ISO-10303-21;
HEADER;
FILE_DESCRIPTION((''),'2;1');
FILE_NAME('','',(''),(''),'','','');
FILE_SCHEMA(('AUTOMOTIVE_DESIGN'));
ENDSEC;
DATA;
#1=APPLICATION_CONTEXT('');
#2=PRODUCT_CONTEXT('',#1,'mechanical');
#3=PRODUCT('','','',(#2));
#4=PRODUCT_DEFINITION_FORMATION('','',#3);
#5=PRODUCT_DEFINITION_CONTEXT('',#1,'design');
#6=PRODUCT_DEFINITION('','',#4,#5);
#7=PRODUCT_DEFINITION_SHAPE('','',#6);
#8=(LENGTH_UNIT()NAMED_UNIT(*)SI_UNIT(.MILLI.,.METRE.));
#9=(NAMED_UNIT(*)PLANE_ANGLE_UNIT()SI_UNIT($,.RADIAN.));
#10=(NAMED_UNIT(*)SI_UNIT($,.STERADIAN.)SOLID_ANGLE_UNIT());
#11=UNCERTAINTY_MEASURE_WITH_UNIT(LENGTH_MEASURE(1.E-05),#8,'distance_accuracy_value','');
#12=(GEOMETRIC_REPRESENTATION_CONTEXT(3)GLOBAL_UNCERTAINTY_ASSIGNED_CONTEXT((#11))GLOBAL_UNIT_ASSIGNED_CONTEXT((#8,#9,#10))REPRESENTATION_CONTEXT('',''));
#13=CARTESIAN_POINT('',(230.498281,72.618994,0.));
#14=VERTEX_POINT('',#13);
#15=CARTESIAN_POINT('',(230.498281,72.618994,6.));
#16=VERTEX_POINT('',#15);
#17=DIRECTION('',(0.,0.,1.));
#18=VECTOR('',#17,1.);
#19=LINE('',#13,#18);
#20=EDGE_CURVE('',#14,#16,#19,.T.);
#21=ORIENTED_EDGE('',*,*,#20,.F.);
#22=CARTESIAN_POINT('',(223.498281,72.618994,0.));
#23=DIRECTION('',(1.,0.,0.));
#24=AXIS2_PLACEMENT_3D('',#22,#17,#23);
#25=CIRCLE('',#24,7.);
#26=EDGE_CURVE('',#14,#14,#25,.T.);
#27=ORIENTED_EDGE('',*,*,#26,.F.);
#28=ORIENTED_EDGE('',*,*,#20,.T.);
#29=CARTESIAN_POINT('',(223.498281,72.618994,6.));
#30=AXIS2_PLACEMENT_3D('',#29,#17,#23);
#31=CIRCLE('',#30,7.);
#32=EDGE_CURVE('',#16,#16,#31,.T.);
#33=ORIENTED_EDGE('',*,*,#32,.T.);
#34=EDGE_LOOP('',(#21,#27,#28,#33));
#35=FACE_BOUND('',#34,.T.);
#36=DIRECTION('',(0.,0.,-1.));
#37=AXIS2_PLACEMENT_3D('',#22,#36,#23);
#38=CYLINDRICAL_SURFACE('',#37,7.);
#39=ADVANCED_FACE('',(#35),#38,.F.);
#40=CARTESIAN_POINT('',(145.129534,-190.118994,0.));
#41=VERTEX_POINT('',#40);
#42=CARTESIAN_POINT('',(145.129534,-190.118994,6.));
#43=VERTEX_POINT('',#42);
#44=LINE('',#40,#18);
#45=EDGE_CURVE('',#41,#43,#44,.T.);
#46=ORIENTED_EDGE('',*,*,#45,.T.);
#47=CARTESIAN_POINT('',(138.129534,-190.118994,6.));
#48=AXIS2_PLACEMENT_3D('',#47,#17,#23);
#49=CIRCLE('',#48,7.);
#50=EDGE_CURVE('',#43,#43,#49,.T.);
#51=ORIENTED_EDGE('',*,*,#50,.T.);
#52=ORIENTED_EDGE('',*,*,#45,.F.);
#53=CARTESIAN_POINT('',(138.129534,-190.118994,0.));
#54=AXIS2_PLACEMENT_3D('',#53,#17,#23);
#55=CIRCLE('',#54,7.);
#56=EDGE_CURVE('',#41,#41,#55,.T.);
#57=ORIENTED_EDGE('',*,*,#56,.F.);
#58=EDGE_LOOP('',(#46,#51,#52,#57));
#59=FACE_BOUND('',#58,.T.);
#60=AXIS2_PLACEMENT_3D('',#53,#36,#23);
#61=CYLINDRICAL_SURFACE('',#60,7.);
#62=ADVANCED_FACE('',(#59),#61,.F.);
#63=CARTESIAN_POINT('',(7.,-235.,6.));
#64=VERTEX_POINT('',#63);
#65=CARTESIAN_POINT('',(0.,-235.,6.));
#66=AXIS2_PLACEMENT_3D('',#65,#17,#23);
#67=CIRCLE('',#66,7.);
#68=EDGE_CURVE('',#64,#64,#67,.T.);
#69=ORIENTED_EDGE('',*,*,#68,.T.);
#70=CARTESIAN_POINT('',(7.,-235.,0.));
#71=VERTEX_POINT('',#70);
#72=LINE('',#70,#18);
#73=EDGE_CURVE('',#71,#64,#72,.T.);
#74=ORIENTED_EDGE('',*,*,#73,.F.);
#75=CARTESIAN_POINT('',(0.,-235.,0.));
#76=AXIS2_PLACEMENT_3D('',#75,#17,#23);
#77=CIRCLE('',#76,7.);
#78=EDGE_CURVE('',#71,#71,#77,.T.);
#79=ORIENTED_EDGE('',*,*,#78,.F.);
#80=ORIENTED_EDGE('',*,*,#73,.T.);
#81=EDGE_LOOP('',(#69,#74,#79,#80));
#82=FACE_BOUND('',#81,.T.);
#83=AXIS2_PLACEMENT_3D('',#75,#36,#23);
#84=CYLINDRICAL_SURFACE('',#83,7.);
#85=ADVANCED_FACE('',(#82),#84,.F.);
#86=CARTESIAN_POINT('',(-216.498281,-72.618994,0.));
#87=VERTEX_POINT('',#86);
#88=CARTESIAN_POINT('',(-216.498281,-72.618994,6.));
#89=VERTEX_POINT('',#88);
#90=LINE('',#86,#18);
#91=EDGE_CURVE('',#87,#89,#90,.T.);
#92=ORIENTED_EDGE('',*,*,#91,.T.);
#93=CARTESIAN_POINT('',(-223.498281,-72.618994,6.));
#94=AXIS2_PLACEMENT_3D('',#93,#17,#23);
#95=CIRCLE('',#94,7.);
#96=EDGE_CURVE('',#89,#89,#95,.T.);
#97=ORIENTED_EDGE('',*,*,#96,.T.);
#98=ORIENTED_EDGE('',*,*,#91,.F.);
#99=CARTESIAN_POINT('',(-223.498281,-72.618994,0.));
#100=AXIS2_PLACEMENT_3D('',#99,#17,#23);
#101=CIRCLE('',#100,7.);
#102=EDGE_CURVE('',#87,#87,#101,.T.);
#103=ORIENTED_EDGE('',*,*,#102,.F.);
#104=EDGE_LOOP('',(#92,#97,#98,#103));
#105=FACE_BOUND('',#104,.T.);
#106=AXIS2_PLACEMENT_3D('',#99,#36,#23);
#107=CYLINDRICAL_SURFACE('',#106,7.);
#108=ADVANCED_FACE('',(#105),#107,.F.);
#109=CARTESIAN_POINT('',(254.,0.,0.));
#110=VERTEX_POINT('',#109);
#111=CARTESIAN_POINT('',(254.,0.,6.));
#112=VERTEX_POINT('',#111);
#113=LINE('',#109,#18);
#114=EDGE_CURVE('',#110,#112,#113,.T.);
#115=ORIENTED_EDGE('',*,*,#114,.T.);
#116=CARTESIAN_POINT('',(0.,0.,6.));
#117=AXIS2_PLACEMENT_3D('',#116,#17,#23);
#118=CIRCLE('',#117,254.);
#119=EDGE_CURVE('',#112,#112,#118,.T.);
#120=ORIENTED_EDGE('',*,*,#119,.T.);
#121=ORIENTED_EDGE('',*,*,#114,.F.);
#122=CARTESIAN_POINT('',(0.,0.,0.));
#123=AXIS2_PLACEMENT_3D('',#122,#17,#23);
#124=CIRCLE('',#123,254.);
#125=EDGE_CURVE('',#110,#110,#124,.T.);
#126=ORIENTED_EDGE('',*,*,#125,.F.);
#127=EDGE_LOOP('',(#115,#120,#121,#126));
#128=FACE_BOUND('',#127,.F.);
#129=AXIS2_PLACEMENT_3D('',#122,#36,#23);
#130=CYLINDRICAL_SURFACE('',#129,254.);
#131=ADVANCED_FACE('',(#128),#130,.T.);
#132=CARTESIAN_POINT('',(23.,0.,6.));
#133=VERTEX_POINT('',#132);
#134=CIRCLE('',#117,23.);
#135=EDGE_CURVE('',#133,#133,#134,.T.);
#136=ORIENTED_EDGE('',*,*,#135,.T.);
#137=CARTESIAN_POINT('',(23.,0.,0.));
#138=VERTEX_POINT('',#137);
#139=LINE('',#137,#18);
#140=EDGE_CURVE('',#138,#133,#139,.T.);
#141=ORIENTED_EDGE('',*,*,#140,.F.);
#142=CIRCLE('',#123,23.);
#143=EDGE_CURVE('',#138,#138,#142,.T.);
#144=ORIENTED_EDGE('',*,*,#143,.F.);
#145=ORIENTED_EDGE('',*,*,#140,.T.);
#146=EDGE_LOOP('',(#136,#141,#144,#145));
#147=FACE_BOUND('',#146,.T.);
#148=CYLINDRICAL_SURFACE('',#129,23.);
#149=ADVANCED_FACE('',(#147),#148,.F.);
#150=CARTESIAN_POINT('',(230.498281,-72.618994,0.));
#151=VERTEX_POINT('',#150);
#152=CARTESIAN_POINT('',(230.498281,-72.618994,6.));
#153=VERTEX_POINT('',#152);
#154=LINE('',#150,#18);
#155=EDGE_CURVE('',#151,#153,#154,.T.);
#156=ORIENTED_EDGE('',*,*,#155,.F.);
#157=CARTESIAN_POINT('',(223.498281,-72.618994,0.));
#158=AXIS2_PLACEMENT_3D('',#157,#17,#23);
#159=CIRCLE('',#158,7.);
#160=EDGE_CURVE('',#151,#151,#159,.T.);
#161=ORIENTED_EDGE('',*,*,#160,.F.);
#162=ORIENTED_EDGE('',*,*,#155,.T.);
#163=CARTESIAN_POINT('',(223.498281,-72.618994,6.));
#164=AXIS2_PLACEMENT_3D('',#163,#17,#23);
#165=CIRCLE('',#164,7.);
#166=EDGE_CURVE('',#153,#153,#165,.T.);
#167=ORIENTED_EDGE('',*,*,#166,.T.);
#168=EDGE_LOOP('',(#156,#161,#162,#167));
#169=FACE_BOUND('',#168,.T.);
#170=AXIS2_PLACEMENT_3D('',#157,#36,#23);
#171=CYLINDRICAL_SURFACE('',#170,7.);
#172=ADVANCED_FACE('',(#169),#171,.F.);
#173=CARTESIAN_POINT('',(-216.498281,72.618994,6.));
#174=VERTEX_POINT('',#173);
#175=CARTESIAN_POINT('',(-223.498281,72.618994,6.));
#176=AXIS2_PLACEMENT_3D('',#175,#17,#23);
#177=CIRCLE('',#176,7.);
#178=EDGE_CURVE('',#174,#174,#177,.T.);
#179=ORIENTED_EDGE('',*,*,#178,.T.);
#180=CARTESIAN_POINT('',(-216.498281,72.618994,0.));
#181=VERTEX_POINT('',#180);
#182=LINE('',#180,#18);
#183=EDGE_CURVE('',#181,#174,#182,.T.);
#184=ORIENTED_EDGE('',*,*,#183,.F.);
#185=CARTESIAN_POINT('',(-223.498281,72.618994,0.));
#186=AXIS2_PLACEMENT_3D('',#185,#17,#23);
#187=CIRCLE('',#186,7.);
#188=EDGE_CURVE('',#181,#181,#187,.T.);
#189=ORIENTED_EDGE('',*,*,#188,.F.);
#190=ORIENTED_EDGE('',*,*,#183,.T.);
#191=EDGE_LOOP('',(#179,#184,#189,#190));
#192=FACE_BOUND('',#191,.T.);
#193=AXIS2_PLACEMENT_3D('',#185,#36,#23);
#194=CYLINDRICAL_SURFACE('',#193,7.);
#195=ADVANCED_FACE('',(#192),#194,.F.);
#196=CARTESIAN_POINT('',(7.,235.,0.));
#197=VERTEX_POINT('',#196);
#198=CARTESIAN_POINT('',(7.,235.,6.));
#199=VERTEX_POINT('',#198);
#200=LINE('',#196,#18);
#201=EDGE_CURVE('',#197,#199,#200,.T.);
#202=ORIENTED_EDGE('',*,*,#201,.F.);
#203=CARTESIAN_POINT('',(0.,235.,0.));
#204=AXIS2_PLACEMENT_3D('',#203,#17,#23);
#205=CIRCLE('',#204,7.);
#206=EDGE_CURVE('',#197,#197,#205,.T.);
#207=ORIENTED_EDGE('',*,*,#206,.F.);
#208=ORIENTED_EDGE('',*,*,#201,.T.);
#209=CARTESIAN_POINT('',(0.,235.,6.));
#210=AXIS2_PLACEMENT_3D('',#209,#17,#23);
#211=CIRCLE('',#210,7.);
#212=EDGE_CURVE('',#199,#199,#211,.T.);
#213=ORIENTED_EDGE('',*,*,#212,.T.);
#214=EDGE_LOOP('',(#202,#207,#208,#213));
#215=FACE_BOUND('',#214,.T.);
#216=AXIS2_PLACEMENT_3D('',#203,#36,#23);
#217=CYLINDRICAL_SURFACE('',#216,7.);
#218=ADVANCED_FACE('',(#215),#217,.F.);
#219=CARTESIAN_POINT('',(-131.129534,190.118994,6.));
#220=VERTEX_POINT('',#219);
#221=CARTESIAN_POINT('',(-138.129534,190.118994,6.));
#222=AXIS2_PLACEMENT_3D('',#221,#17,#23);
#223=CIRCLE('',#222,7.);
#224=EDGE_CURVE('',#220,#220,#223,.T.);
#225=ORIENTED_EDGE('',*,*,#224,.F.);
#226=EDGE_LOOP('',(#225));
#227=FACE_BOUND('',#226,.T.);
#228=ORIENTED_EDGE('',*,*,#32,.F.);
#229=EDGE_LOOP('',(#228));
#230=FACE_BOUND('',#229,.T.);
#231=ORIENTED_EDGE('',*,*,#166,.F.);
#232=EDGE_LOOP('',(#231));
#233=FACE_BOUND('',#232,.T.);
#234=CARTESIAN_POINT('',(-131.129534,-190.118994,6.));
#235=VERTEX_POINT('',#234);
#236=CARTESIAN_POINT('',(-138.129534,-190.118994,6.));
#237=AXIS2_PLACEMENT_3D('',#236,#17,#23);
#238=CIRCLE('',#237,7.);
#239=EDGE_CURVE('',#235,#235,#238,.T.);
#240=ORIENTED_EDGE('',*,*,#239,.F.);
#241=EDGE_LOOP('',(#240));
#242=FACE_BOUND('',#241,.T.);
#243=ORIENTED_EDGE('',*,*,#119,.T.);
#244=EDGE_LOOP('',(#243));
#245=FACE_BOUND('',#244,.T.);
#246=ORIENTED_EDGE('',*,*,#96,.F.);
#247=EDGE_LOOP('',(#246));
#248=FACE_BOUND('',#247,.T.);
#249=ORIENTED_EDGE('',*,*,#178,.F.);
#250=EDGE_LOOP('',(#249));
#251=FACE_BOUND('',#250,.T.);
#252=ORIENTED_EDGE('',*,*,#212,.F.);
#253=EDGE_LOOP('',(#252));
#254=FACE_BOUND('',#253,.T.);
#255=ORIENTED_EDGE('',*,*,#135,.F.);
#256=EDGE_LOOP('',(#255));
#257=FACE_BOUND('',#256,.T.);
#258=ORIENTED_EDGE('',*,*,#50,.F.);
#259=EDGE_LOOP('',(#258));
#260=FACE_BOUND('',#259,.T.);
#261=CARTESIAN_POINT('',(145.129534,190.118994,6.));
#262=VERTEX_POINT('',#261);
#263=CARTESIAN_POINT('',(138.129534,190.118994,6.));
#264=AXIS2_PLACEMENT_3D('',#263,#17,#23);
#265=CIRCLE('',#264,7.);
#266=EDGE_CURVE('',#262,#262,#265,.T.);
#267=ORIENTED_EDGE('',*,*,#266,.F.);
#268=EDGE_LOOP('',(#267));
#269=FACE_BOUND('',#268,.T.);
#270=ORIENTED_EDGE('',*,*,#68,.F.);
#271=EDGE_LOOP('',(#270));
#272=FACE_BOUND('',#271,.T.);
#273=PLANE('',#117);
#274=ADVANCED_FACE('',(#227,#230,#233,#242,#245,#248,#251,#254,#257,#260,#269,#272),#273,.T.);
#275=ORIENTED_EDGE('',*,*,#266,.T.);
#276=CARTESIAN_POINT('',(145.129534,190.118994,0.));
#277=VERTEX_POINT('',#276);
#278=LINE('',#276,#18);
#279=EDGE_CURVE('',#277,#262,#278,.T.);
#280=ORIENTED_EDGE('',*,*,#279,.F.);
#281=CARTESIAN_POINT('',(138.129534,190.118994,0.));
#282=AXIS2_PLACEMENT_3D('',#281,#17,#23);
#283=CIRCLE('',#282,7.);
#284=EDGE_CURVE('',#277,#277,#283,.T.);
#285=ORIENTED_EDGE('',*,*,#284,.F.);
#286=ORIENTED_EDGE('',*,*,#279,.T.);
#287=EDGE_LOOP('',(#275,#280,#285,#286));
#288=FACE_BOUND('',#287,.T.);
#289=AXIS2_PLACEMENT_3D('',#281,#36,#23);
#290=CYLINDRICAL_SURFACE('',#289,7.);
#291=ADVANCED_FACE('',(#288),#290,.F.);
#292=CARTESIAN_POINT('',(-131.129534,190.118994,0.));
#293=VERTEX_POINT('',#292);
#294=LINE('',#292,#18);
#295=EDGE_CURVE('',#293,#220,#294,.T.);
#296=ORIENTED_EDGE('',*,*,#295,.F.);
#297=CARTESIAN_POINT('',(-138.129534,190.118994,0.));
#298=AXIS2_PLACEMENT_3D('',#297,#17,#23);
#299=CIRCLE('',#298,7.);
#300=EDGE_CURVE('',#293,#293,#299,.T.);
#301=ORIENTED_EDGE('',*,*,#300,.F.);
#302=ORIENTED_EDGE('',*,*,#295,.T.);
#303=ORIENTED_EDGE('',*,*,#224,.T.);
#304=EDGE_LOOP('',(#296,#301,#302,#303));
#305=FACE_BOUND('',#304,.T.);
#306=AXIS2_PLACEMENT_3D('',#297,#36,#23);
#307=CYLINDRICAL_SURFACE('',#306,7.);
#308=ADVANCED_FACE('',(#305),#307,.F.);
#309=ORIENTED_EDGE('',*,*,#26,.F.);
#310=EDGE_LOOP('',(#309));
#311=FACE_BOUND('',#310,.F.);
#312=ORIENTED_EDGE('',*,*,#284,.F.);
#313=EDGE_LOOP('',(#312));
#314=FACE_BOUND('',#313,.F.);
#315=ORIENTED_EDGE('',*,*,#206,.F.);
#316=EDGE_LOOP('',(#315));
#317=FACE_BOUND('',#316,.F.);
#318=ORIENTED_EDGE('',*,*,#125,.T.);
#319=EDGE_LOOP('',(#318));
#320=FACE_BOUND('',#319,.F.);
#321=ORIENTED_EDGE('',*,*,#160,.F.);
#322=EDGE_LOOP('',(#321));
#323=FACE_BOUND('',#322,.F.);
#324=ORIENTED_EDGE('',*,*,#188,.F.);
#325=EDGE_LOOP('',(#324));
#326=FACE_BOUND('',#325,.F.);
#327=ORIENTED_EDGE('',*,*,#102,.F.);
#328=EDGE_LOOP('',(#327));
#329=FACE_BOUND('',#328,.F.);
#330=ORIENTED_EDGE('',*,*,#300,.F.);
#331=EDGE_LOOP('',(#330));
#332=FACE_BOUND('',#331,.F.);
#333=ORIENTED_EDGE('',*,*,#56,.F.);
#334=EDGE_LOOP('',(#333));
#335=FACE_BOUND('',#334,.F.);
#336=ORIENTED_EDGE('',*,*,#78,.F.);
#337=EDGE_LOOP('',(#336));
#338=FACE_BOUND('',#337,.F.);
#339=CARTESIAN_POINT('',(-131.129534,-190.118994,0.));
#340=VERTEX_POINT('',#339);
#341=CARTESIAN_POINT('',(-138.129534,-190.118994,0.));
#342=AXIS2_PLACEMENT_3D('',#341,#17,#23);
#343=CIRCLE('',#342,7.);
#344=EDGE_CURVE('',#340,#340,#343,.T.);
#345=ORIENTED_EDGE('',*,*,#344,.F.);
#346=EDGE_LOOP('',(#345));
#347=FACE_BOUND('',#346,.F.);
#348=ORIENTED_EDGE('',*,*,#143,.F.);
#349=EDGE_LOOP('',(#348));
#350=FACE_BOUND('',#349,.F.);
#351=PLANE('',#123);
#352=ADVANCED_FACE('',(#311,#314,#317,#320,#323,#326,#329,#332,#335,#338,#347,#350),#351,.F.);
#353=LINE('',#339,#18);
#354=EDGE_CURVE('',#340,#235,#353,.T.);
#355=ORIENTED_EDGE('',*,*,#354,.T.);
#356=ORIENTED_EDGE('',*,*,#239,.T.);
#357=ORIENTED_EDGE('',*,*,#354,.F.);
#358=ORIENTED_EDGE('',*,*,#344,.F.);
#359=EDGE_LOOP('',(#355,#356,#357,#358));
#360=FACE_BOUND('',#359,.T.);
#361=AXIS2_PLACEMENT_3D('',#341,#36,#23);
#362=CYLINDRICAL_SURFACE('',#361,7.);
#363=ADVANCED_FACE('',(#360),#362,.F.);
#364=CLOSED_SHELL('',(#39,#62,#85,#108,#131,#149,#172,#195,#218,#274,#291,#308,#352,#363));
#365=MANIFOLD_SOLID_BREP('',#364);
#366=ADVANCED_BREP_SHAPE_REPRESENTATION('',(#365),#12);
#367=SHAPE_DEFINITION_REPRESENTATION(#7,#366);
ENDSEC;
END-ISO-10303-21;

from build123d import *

# Parameters (mm, degrees)
F0_R     = 254
F0_R_2   = 7
F0_R_3   = 23
F1_DEPTH = 6


with BuildPart() as f1:
    # F0 (on Top) → F1 (new body)
    with BuildSketch(Plane.XY):
        Circle(F0_R)
        with Locations((-138.129534, -190.118994)):
            Circle(F0_R_2, mode=Mode.SUBTRACT)
        with Locations((-223.498281, -72.618994)):
            Circle(F0_R_2, mode=Mode.SUBTRACT)
        with Locations((0, -235)):
            Circle(F0_R_2, mode=Mode.SUBTRACT)
        with Locations((138.129534, -190.118994)):
            Circle(F0_R_2, mode=Mode.SUBTRACT)
        with Locations((223.498281, -72.618994)):
            Circle(F0_R_2, mode=Mode.SUBTRACT)
        with Locations((-223.498281, 72.618994)):
            Circle(F0_R_2, mode=Mode.SUBTRACT)
        with Locations((-138.129534, 190.118994)):
            Circle(F0_R_2, mode=Mode.SUBTRACT)
        Circle(F0_R_3, mode=Mode.SUBTRACT)
        with Locations((223.498281, 72.618994)):
            Circle(F0_R_2, mode=Mode.SUBTRACT)
        with Locations((0, 235)):
            Circle(F0_R_2, mode=Mode.SUBTRACT)
        with Locations((138.129534, 190.118994)):
            Circle(F0_R_2, mode=Mode.SUBTRACT)
    extrude(amount=F1_DEPTH)


solid = f1.part
